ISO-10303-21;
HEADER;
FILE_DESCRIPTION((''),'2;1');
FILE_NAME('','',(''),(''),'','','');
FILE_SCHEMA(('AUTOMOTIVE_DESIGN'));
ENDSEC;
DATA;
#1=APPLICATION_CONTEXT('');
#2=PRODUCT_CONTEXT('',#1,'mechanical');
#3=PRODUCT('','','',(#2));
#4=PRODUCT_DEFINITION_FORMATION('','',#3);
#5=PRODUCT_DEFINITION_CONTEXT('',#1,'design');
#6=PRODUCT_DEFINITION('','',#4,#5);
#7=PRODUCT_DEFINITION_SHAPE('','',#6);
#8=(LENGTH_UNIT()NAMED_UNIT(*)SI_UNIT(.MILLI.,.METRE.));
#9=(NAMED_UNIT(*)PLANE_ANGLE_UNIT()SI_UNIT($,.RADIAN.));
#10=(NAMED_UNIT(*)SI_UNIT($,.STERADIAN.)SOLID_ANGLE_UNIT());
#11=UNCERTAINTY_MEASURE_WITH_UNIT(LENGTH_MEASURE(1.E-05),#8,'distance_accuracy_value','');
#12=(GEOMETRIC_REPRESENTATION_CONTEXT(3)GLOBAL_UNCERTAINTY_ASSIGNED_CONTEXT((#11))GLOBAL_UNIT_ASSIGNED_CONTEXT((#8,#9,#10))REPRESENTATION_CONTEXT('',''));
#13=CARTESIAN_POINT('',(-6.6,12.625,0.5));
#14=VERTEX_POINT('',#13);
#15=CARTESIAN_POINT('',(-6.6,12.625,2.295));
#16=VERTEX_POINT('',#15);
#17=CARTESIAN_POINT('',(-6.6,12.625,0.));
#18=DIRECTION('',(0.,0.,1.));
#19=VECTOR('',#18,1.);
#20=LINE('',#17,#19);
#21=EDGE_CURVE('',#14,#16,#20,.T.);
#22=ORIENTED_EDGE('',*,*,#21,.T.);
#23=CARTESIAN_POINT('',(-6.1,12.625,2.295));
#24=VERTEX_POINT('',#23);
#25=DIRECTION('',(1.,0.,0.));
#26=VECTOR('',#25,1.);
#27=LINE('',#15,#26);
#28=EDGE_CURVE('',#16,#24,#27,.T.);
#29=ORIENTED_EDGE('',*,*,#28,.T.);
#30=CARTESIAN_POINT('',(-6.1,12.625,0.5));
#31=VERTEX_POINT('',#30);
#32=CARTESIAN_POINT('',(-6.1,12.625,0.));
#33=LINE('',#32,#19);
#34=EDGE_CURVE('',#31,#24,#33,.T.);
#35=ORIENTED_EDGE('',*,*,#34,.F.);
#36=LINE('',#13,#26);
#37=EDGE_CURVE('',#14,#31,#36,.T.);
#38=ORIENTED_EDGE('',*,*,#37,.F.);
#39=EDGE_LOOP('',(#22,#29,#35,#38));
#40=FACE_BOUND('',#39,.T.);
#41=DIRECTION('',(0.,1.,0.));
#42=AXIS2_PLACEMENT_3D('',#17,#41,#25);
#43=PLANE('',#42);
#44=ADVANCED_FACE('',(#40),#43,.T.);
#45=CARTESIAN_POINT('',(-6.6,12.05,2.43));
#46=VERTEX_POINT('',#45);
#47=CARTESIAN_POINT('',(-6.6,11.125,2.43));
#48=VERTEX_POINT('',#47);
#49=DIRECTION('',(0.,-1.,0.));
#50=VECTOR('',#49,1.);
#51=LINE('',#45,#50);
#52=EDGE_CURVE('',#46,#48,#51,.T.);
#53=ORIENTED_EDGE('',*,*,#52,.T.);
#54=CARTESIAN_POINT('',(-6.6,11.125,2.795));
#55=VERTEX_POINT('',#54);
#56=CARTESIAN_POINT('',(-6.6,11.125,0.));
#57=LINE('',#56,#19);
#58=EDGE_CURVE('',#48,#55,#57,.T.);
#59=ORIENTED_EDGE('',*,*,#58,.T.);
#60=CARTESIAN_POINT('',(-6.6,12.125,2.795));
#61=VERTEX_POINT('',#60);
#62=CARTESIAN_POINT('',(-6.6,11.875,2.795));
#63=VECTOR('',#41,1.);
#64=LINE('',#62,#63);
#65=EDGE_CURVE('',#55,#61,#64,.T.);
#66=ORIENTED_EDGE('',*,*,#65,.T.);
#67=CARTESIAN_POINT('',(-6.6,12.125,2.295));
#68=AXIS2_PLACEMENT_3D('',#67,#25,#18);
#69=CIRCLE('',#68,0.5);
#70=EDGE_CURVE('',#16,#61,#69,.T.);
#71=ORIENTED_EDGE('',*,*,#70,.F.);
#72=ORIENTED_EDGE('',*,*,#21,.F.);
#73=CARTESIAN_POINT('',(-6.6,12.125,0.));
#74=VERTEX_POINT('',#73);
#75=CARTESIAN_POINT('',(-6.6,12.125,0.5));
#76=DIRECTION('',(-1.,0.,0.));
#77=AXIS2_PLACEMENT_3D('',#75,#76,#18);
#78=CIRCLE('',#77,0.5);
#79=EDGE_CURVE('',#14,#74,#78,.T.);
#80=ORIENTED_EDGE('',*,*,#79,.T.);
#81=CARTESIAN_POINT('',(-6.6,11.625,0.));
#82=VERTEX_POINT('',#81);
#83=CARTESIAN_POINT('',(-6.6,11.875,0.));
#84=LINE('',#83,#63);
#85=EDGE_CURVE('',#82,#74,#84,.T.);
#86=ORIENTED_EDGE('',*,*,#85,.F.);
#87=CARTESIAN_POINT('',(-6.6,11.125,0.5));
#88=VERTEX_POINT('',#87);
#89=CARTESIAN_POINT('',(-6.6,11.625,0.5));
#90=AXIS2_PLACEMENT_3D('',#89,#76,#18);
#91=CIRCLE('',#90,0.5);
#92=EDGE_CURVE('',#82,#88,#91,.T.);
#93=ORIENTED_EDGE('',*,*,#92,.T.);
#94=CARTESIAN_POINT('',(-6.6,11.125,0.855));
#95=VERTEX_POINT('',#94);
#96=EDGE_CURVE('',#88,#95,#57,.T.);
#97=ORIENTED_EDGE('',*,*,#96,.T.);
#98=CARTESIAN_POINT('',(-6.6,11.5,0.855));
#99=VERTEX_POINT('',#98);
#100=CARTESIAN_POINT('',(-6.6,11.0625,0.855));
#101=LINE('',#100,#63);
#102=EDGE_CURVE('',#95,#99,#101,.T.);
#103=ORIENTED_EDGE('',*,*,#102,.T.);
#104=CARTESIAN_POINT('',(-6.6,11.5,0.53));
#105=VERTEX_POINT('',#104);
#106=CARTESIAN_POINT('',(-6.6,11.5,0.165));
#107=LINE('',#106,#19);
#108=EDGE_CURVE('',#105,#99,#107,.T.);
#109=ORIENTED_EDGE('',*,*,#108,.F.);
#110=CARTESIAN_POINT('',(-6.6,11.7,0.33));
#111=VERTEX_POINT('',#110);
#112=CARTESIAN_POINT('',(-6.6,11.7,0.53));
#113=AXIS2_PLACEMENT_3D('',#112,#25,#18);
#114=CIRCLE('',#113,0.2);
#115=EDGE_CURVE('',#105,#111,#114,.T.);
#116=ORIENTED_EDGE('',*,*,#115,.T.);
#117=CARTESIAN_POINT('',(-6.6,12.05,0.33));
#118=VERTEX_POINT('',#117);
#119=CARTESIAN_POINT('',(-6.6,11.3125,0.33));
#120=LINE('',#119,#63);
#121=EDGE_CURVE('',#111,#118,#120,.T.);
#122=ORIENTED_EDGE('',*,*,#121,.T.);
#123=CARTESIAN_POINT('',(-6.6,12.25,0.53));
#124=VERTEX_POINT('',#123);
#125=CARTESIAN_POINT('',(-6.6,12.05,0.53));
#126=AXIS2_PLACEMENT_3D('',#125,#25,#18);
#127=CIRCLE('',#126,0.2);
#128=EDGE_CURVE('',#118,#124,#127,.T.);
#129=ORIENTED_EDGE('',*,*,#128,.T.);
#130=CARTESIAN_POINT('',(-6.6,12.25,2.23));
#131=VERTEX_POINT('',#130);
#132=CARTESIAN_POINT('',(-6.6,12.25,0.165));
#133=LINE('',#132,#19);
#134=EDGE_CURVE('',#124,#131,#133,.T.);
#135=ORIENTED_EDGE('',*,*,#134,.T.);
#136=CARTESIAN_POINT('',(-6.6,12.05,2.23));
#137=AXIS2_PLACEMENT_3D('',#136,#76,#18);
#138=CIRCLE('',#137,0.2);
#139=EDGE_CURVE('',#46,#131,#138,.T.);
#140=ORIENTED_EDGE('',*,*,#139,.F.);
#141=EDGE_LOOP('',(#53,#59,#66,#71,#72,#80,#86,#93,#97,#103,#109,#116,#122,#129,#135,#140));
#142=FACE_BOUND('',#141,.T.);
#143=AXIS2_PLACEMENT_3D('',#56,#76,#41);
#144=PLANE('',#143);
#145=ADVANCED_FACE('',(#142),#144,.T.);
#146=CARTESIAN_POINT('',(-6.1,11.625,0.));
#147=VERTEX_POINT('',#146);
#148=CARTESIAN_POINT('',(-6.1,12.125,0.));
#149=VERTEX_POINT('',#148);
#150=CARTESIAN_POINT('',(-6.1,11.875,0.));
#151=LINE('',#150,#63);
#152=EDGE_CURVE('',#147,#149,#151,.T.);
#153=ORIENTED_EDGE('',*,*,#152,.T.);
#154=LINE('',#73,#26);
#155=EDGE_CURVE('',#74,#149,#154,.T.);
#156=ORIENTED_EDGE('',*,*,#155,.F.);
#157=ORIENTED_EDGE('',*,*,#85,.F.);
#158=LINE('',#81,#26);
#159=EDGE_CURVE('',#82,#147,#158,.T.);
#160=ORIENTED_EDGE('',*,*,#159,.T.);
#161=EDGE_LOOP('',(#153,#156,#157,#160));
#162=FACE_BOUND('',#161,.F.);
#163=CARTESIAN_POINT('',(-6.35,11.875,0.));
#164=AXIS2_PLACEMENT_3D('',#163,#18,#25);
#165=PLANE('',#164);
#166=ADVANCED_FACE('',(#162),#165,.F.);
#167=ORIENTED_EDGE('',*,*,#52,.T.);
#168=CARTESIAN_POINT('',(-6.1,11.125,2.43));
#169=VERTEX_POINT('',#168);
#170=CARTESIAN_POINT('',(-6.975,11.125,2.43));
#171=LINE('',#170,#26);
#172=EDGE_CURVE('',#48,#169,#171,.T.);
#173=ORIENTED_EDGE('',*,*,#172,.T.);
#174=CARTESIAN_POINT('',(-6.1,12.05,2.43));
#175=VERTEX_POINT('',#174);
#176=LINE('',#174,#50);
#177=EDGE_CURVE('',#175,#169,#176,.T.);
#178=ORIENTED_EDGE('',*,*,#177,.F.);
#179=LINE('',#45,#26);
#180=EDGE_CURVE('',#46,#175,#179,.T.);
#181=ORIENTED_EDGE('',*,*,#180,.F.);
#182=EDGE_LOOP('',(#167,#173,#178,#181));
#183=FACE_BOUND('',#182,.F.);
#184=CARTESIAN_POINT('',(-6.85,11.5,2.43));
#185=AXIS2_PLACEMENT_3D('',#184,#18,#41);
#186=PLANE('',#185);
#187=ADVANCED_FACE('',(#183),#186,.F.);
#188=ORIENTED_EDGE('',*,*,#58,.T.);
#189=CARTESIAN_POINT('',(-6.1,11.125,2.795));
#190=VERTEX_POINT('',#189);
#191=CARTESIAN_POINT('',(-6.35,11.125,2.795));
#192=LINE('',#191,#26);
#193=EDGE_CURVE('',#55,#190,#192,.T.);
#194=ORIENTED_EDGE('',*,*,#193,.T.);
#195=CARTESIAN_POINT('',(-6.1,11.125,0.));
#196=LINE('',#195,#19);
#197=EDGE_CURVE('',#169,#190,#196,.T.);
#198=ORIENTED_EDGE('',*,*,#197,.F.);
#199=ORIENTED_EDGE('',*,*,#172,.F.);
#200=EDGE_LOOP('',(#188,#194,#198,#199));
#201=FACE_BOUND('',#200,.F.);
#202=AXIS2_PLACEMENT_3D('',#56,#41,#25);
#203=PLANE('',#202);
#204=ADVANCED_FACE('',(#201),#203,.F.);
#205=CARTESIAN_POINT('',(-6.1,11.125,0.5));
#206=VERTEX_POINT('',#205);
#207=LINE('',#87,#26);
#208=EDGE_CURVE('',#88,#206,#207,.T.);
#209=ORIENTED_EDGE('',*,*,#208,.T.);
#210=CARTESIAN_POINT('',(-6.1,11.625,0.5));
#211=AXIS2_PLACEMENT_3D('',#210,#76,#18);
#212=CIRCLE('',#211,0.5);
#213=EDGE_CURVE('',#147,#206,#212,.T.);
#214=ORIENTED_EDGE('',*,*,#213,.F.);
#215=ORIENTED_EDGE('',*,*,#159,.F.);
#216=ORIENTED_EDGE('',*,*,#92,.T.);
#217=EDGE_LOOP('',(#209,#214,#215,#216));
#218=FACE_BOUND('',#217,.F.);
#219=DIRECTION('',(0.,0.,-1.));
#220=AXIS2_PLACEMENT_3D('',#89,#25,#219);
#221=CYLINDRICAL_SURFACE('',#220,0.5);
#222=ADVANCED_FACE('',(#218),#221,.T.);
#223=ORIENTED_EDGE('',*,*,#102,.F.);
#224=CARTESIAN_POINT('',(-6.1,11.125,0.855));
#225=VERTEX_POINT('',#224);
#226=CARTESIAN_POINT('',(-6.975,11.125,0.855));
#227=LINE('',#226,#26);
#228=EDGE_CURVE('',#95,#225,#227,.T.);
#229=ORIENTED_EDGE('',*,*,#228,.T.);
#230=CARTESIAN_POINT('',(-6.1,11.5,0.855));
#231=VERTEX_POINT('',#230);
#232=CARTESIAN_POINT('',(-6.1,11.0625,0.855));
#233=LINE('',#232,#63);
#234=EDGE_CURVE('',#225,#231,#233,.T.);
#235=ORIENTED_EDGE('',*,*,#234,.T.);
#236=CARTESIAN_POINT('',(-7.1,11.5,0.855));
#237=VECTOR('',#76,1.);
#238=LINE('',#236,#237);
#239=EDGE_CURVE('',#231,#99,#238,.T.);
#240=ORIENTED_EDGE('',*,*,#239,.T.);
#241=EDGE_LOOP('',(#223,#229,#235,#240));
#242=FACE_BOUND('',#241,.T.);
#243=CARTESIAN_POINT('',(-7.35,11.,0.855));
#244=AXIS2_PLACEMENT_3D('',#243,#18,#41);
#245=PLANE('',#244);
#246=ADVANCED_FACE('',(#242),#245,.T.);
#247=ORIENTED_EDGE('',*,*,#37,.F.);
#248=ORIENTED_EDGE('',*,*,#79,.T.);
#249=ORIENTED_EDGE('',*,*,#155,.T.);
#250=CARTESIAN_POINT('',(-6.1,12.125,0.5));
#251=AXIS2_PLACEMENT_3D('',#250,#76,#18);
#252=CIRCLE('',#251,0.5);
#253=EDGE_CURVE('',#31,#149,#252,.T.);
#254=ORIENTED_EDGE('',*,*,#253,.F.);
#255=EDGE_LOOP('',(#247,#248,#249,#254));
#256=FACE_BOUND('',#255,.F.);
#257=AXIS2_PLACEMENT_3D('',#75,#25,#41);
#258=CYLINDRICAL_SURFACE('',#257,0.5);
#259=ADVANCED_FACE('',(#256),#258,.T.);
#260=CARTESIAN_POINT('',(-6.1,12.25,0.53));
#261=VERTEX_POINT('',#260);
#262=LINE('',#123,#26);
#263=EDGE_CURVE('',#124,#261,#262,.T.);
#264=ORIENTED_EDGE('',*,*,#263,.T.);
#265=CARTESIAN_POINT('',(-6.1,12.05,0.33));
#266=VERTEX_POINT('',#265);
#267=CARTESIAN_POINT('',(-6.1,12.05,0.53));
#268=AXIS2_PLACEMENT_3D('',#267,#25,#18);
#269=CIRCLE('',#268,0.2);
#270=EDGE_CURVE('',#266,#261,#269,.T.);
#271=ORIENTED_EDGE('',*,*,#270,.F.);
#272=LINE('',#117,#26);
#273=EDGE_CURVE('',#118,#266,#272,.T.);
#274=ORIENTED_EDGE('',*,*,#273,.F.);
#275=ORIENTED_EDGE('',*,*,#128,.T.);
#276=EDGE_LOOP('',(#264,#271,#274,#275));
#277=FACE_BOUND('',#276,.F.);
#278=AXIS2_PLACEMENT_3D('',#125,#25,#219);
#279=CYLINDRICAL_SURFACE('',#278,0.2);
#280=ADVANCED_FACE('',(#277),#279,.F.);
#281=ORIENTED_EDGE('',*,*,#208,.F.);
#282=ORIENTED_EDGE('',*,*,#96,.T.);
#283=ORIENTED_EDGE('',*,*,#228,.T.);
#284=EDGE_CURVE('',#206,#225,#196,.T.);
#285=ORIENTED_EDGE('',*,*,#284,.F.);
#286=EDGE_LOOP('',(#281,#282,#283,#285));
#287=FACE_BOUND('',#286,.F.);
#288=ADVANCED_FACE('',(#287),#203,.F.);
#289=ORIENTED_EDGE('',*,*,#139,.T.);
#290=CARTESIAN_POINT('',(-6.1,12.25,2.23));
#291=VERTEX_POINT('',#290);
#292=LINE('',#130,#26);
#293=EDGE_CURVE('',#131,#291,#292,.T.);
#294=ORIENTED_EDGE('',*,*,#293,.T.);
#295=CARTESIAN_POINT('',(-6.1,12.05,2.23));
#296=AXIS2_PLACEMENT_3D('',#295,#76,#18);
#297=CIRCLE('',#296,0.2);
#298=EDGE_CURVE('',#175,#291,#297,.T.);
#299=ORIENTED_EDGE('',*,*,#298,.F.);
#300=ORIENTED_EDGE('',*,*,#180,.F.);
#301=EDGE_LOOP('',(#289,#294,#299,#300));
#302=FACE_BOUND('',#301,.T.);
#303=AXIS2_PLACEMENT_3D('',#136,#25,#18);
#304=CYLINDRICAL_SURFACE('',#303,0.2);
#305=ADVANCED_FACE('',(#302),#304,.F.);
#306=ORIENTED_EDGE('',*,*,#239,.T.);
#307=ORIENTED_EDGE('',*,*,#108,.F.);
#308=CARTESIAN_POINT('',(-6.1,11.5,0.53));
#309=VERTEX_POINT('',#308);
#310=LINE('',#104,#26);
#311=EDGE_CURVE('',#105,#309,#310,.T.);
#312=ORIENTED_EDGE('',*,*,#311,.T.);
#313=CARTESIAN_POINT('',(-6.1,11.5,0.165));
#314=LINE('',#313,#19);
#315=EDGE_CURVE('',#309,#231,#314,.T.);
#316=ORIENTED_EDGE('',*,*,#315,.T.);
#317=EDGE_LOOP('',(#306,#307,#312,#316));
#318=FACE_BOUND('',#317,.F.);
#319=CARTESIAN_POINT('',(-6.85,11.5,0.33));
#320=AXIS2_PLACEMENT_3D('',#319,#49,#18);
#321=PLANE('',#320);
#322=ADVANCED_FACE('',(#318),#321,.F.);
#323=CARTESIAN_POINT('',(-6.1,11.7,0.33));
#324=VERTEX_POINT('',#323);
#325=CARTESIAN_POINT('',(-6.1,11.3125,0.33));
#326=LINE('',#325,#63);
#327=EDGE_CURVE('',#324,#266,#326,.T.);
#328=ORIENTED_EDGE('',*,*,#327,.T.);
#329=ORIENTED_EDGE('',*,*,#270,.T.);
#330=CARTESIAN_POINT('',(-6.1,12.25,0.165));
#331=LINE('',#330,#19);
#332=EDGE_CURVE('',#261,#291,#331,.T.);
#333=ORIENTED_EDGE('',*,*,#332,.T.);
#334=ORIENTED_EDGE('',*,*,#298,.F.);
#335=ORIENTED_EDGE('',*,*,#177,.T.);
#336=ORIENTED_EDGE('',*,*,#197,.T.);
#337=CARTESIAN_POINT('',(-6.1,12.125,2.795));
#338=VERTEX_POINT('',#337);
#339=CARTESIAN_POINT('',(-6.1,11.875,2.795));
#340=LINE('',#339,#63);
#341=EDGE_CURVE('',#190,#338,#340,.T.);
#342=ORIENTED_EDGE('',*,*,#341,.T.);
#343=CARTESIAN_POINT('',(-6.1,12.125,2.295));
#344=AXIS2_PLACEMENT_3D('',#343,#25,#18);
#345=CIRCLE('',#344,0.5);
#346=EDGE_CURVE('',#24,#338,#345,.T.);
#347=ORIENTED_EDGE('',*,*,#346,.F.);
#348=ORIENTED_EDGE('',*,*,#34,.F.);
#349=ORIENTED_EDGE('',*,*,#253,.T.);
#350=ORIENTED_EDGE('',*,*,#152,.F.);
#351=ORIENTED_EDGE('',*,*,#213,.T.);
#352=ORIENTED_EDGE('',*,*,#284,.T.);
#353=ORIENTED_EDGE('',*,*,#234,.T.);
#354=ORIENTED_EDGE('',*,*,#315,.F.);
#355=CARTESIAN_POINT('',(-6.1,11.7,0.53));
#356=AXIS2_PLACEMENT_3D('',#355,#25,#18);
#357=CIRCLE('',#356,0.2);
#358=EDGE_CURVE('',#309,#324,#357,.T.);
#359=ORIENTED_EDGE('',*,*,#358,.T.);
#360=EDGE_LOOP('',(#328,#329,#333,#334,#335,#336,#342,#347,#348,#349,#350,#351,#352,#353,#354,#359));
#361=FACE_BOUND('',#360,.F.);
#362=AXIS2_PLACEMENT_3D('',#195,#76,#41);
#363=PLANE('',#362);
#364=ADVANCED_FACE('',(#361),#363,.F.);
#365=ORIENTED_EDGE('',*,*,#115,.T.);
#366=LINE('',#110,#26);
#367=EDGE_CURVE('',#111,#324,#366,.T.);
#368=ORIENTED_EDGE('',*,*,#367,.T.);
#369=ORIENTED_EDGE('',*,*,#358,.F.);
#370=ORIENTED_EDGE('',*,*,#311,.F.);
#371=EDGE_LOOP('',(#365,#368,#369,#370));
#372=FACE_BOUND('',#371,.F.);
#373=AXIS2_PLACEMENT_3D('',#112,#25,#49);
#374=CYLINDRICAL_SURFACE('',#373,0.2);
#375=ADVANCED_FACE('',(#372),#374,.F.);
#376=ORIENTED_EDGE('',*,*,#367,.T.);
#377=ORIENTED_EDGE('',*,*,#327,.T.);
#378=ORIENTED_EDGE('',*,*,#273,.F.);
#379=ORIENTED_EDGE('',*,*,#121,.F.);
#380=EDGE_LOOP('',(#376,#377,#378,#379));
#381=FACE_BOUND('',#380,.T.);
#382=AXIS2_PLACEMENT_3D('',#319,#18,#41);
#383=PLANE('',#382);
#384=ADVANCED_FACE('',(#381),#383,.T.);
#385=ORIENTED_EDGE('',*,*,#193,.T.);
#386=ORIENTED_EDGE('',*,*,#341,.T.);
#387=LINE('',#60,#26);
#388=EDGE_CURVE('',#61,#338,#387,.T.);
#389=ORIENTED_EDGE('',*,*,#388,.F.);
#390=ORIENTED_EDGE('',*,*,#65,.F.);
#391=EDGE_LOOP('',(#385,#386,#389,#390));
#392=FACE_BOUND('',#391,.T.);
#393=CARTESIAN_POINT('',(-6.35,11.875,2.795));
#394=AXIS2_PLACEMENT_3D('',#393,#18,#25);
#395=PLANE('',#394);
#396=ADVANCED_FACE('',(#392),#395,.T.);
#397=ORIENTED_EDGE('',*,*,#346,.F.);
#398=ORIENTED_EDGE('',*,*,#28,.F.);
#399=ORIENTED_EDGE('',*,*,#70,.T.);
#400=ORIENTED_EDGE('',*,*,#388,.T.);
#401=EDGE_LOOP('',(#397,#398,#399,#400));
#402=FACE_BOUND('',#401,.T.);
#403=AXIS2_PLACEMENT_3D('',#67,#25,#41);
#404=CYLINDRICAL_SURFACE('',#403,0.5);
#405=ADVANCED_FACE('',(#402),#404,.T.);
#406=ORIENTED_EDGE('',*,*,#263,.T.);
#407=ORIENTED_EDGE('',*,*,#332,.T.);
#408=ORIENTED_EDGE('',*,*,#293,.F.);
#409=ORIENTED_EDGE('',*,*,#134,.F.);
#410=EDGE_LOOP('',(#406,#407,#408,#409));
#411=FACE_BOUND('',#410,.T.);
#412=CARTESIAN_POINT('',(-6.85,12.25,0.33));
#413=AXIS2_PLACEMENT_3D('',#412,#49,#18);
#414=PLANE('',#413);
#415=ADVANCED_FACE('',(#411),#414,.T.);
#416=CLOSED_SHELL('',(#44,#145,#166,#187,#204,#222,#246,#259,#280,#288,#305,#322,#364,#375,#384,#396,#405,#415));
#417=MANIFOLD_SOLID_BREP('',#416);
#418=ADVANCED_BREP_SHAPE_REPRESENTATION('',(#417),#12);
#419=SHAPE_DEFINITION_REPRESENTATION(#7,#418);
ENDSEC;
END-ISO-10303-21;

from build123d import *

# Parameters (mm, degrees)
BOX130_W     = 0.5
BOX130_H     = 1.5
BOX130_DEPTH = 2.795
FILLET304_R  = 0.5
FILLET311_R  = 0.5
FILLET316_R  = 0.5
BOX153_W     = 0.75
BOX153_H     = 2.1
BOX153_DEPTH = 1
FILLET324_R  = 0.2
FILLET318_R  = 0.2
FILLET317_R  = 0.2
FILLET329_R  = 0.2
BOX148_W     = 1
BOX148_H     = 1.575
BOX148_DEPTH = 3


with BuildPart() as part:
    # Box130 → Box130 (join)
    with BuildSketch(Plane(origin=(-0.25, 11.125, 0), x_dir=(1, 0, 0), z_dir=(0, 0, 1))):
        with Locations((0.25, 0.75)):
            Rectangle(BOX130_W, BOX130_H)
    extrude(amount=BOX130_DEPTH)

    # Fillet304
    fillet304_edges = [part.edges().sort_by_distance(p)[0] for p in [
        (0, 12.625, 0),
    ]]
    fillet(fillet304_edges, radius=FILLET304_R)

    # Fillet311
    fillet311_edges = [part.edges().sort_by_distance(p)[0] for p in [
        (0, 12.625, 2.795),
    ]]
    fillet(fillet311_edges, radius=FILLET311_R)

    # Fillet316
    fillet316_edges = [part.edges().sort_by_distance(p)[0] for p in [
        (0, 11.125, 0),
    ]]
    fillet(fillet316_edges, radius=FILLET316_R)

    # Box153 → Box153 (cut)
    with BuildSketch(Plane(origin=(-0.5, 11.5, 0.33), x_dir=(0, 1, 0), z_dir=(1, 0, 0))):
        with Locations((0.375, 1.05)):
            Rectangle(BOX153_W, BOX153_H)
    extrude(amount=BOX153_DEPTH, mode=Mode.SUBTRACT)

    # Fillet324
    fillet324_edges = [part.edges().sort_by_distance(p)[0] for p in [
        (0, 11.5, 0.33),
    ]]
    fillet(fillet324_edges, radius=FILLET324_R)

    # Fillet318
    fillet318_edges = [part.edges().sort_by_distance(p)[0] for p in [
        (0, 12.25, 0.33),
    ]]
    fillet(fillet318_edges, radius=FILLET318_R)

    # Fillet317
    fillet317_edges = [part.edges().sort_by_distance(p)[0] for p in [
        (0, 11.5, 2.43),
    ]]
    fillet(fillet317_edges, radius=FILLET317_R)

    # Fillet329
    fillet329_edges = [part.edges().sort_by_distance(p)[0] for p in [
        (0, 12.25, 2.43),
    ]]
    fillet(fillet329_edges, radius=FILLET329_R)

    # Box148 → Box148 (cut)
    with BuildSketch(Plane(origin=(-1, 11, 0.855), x_dir=(0, 1, 0), z_dir=(1, 0, 0))):
        with Locations((0.5, 0.7875)):
            Rectangle(BOX148_W, BOX148_H)
    extrude(amount=BOX148_DEPTH, mode=Mode.SUBTRACT)


with BuildPart() as part_1:
    # Body043 placement: moved
    add(part.part.moved(Location((-6.35, 0, 0))))


solid = part_1.part
